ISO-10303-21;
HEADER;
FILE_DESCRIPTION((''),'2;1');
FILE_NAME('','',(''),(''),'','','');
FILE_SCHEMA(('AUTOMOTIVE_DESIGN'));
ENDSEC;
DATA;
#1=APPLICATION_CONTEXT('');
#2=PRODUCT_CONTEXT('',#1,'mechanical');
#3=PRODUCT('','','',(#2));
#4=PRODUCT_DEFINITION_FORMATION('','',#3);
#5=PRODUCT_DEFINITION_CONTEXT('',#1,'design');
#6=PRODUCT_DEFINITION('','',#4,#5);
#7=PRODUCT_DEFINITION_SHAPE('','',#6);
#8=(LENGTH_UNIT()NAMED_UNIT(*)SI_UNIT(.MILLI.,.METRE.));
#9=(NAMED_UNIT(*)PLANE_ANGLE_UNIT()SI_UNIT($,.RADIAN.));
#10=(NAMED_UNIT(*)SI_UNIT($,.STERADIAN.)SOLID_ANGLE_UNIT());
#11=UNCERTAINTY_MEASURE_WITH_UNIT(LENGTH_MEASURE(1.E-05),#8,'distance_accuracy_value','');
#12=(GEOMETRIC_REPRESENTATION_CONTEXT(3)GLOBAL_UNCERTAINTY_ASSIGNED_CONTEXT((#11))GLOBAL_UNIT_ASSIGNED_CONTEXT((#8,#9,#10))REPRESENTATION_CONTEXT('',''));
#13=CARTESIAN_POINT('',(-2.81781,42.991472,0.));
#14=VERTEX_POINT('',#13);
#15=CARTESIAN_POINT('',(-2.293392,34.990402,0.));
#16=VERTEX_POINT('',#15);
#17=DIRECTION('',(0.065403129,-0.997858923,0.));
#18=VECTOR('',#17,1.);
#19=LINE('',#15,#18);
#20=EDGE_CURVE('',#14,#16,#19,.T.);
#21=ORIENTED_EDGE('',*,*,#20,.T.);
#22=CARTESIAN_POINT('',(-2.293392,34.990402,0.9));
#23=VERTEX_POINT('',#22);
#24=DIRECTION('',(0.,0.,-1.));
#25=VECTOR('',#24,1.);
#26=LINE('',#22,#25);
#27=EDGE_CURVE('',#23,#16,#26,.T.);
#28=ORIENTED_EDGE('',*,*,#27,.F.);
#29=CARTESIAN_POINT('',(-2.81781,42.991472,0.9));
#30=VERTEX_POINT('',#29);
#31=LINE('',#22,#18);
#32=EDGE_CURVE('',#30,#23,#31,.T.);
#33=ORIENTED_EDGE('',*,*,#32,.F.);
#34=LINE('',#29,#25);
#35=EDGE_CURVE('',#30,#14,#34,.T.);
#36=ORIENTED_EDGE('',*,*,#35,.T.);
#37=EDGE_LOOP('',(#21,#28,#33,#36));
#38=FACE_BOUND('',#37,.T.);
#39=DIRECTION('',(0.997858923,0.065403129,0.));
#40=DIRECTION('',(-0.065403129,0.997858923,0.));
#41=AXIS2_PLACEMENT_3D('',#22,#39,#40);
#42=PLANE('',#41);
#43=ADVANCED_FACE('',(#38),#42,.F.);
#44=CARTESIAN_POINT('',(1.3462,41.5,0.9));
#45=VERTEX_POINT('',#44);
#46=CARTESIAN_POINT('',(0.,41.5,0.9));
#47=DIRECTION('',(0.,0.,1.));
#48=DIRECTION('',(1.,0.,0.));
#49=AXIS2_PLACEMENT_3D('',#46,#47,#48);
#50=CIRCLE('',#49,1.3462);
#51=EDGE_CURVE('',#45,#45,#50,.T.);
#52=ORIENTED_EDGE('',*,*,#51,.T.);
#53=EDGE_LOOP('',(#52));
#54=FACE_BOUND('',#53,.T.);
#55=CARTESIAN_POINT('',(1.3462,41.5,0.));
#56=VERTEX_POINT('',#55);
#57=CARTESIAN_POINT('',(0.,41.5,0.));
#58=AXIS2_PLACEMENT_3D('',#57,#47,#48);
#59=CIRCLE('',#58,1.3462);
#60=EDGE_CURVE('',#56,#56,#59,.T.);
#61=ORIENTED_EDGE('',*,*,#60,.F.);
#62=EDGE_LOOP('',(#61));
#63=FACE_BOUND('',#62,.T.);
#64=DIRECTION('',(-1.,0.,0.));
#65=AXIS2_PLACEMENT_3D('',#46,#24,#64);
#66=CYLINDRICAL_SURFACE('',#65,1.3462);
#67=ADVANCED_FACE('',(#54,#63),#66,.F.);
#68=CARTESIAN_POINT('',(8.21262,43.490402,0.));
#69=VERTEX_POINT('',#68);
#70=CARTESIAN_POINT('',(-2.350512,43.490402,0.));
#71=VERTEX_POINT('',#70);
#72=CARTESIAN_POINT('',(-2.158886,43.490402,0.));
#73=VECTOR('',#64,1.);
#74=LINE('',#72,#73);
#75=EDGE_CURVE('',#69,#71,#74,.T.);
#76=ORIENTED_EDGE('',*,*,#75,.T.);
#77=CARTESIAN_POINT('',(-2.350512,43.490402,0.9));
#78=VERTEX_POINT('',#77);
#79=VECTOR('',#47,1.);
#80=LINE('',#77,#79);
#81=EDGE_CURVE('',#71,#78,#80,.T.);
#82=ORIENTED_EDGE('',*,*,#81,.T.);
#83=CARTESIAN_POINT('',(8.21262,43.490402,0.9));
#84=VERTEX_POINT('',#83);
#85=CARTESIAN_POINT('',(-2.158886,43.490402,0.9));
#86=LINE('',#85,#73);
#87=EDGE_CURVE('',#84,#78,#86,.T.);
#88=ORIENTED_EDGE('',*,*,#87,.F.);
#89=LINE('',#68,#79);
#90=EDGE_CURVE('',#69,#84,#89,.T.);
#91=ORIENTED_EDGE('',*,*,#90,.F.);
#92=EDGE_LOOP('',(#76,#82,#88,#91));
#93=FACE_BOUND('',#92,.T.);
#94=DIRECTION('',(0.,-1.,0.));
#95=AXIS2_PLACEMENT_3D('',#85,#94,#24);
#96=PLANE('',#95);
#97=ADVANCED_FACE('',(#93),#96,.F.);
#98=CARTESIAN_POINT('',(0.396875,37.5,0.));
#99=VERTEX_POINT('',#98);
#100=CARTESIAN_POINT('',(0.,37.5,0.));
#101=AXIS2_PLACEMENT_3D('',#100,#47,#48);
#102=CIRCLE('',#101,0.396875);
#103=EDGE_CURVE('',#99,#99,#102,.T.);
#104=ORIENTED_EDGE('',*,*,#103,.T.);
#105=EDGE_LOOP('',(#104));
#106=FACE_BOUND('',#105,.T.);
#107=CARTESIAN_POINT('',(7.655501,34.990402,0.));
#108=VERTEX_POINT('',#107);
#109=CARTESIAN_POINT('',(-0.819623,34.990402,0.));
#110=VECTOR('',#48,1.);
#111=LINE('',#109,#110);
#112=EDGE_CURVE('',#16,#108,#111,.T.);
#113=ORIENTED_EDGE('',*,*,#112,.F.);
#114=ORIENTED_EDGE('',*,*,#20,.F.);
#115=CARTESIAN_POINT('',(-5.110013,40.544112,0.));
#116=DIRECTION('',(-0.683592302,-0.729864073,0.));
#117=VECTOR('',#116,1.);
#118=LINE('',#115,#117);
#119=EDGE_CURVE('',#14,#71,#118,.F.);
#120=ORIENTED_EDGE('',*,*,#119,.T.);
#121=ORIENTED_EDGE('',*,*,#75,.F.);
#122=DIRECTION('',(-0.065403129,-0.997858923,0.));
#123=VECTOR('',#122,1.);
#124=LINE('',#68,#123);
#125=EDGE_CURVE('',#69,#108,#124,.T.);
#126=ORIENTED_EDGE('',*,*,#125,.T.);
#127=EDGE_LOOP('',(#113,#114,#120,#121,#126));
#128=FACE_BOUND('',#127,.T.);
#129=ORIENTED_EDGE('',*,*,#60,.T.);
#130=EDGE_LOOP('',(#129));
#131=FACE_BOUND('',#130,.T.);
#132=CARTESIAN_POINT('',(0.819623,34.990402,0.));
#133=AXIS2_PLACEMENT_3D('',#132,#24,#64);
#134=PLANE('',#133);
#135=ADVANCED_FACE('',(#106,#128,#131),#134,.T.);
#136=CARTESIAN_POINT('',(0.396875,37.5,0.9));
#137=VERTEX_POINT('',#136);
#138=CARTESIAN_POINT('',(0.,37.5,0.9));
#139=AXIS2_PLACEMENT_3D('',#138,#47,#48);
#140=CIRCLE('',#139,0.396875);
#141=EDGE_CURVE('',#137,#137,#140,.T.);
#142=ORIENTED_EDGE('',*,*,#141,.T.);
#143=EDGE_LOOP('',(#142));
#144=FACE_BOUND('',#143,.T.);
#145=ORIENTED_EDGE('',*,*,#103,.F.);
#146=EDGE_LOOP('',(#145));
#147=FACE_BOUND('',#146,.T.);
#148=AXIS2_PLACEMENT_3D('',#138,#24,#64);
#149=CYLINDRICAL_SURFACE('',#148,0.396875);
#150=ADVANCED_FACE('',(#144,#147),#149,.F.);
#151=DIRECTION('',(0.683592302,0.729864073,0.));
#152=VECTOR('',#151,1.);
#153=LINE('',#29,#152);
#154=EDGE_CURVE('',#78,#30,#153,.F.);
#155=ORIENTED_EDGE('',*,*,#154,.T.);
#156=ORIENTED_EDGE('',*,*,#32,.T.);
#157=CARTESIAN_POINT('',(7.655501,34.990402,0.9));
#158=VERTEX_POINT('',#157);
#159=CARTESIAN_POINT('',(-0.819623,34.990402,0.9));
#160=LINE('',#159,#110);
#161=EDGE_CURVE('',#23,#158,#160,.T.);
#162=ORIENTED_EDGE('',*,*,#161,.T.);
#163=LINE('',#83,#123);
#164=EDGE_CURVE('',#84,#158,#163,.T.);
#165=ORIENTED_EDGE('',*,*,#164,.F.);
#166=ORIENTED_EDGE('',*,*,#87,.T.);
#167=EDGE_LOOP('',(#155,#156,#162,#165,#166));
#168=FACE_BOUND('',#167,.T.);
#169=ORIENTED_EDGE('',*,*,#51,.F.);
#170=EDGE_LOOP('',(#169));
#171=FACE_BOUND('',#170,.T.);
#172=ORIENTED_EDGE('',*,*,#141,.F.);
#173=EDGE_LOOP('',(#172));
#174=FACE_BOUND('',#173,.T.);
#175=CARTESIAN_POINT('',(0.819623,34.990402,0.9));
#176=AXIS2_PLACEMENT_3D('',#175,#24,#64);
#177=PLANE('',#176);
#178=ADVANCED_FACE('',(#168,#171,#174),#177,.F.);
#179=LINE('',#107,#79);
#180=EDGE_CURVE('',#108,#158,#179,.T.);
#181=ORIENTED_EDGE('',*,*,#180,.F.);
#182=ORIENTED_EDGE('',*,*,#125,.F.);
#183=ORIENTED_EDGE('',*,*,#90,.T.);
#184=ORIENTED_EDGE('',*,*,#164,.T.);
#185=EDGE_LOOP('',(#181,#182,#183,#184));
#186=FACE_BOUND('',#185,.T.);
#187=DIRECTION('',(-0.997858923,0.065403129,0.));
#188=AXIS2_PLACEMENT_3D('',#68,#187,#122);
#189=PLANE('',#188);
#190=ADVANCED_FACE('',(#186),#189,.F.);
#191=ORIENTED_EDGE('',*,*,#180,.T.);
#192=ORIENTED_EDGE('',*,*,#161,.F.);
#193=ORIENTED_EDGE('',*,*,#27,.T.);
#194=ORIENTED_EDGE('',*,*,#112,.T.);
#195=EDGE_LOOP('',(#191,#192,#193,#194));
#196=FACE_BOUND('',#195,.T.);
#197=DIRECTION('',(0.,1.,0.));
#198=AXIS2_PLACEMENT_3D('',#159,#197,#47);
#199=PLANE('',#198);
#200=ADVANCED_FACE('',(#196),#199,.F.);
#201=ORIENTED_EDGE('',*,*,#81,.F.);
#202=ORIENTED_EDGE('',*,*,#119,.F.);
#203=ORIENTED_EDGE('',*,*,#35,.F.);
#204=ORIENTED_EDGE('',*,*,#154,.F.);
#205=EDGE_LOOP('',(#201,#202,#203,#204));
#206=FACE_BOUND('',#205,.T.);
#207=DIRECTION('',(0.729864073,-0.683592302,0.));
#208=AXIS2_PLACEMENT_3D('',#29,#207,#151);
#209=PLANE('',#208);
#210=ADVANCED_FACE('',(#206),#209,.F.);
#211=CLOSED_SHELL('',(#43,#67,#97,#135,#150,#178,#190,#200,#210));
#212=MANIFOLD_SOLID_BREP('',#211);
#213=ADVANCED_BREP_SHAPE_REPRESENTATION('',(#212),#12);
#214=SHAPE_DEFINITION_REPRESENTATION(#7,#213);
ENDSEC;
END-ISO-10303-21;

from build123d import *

# Parameters (mm, degrees)
SKETCH1_R             = 0.396875
SKETCH1_R_2           = 1.3462
EXTRUDE1_DEPTH        = 0.9
CHAMFER1_SIZE         = 1.3
CHAMFER1_SIZE2        = 1.136906158
CHAMFER1_EDGE_2_SIZE  = 1.3
CHAMFER1_EDGE_2_SIZE2 = 1.136906158
SKETCH2_R             = 0.396875
SKETCH2_R_2           = 1.3462
EXTRUDE2_DEPTH        = 0.9
CUT_EXTRUDE2_DEPTH    = 1.9
CHAMFER2_SIZE         = 0.5


with BuildPart() as part:
    # Sketch1 → Extrude1 (new body)
    with BuildSketch(Plane.XY):
        Polygon((-2.158886106, 43.490401799), (2.158886106, 43.490401799), (0.81962306, 34.990401799), (-0.81962306, 34.990401799), align=None)
        with Locations((0, 37.5)):
            Circle(SKETCH1_R, mode=Mode.SUBTRACT)
        with Locations((0, 41.5)):
            Circle(SKETCH1_R_2, mode=Mode.SUBTRACT)
    extrude(amount=EXTRUDE1_DEPTH)

    # Chamfer1
    chamfer1_edges = [part.edges().sort_by_distance(p)[0] for p in [
        (-2.158886106, 43.490401799, 0.45),
    ]]
    chamfer1_side = [part.faces().sort_by_distance(p)[0] for p in [
        (0, 43.490401799, 0.45),
    ]]
    chamfer(chamfer1_edges, length=CHAMFER1_SIZE, length2=CHAMFER1_SIZE2, reference=chamfer1_side[0])

    # Chamfer1 edge 2
    chamfer1_edge_2_edges = [part.edges().sort_by_distance(p)[0] for p in [
        (2.158886106, 43.490401799, 0.45),
    ]]
    chamfer1_edge_2_side = [part.faces().sort_by_distance(p)[0] for p in [
        (0, 43.490401799, 0.45),
    ]]
    chamfer(chamfer1_edge_2_edges, length=CHAMFER1_EDGE_2_SIZE, length2=CHAMFER1_EDGE_2_SIZE2, reference=chamfer1_edge_2_side[0])

    # Sketch2 → Extrude2 (add)
    with BuildSketch(Plane(origin=(0, 0, 0.9), x_dir=(-1, 0, 0), z_dir=(0, 0, -1))):
        Polygon((-8.212619969, 43.490401799), (8.212619969, 43.490401799), (7.655500535, 34.990401799), (-7.655500535, 34.990401799), align=None)
        with Locations(Location((0, 37.5, 0), (0, 0, 180))):  # turned: the seam where the file's is
            Circle(SKETCH2_R, mode=Mode.SUBTRACT)
        with Locations(Location((0, 41.5, 0), (0, 0, 180))):  # turned: the seam where the file's is
            Circle(SKETCH2_R_2, mode=Mode.SUBTRACT)
    extrude(amount=EXTRUDE2_DEPTH)

    # Sketch4 → Cut-Extrude2 (cut, through all)
    with BuildSketch(Plane(origin=(0, 0, 0), x_dir=(-1, 0, 0), z_dir=(0, 0, -1))):
        Polygon((2.293392099, 34.990401799), (2.850511533, 43.490401799), (8.212619969, 43.490401799), (7.655500535, 34.990401799), align=None)
    extrude(amount=-CUT_EXTRUDE2_DEPTH, mode=Mode.SUBTRACT)

    # Chamfer2
    chamfer2_edges = [part.edges().sort_by_distance(p)[0] for p in [
        (-2.850511533, 43.490401799, 0.45),
    ]]
    chamfer(chamfer2_edges, length=CHAMFER2_SIZE)


solid = part.part
